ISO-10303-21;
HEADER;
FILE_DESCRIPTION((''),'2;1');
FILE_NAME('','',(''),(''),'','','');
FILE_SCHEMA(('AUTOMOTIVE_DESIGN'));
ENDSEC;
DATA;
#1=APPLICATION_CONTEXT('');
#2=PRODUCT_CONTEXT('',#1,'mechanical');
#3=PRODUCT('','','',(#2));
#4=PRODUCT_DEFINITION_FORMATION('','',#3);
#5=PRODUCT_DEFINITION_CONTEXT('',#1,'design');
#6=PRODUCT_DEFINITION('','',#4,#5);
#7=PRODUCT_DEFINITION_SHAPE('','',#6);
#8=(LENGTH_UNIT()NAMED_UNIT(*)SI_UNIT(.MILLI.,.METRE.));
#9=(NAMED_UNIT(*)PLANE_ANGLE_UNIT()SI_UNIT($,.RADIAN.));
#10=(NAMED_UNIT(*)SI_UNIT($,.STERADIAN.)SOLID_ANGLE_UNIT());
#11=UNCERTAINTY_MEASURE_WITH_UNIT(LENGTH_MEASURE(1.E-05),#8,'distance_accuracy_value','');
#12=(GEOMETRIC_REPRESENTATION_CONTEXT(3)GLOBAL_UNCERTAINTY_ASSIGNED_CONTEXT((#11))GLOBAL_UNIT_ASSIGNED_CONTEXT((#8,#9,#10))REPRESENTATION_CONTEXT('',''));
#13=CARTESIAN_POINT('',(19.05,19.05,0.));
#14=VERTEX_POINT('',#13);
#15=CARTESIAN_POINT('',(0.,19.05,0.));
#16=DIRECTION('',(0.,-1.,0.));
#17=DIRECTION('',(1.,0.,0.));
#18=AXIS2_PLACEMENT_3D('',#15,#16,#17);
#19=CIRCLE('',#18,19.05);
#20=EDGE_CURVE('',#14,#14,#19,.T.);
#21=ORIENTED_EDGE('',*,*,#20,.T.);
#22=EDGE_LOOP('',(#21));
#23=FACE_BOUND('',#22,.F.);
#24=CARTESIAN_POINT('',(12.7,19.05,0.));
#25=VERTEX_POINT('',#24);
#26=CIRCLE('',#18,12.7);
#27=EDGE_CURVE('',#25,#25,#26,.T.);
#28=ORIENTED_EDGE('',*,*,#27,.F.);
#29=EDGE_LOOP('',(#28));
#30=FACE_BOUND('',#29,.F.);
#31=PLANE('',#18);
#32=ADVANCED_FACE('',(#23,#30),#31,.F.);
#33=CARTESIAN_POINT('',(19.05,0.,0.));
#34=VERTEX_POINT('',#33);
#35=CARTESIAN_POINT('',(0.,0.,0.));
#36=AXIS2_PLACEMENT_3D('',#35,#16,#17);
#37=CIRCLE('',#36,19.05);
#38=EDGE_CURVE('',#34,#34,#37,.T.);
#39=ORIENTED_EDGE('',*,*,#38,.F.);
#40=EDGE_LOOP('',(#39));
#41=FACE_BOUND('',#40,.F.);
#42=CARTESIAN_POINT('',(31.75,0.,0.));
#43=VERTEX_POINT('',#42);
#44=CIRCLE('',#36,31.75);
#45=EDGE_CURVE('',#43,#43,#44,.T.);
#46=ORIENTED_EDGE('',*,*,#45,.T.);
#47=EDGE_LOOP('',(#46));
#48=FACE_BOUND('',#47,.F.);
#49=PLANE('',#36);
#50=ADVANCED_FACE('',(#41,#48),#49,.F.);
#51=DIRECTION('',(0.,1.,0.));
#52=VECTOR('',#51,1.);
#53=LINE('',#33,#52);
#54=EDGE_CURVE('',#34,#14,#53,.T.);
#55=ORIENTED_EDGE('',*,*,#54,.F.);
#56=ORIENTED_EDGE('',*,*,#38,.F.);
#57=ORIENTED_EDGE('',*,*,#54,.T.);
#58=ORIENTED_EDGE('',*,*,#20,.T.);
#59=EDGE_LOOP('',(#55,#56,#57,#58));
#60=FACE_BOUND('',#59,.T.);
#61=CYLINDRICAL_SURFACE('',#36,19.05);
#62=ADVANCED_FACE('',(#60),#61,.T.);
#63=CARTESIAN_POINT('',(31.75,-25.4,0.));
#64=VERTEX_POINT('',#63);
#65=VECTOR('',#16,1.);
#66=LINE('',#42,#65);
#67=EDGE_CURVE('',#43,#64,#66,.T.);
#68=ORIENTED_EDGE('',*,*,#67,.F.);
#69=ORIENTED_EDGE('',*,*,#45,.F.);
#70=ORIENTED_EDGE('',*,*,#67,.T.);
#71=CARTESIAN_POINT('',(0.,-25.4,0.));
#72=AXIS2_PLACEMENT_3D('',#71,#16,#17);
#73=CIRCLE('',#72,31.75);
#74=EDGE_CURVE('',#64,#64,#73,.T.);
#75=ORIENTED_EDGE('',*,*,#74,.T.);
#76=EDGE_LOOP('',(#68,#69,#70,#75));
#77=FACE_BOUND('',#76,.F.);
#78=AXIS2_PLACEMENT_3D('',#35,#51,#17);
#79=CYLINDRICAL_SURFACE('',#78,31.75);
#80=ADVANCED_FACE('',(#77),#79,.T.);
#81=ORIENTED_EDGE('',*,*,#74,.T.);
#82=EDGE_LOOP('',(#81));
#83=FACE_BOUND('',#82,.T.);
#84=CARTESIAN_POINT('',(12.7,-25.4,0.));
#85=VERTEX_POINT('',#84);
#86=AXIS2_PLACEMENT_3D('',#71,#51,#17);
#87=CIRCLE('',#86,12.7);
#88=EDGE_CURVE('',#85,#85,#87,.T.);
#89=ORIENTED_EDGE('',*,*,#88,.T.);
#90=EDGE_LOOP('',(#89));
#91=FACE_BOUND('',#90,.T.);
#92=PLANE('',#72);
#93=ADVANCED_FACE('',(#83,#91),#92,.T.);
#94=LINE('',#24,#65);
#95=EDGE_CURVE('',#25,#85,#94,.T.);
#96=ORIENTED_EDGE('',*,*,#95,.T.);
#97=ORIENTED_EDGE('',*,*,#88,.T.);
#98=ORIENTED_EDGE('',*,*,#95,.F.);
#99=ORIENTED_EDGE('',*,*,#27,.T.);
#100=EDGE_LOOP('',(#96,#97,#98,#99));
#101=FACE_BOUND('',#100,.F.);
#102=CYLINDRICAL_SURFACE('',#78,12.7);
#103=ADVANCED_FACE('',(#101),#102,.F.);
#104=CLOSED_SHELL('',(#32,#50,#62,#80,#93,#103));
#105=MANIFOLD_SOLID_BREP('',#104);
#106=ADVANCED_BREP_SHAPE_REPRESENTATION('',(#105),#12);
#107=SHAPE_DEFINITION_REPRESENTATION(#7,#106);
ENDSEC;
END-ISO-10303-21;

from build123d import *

# Parameters (mm, degrees)
F0_R      = 31.75
F3_DEPTH  = 25.4
F1_R      = 19.05
F4_DEPTH  = 19.05
F2_R      = 12.7
F5_DEPTH  = 44.45
F5_FACE_R = 12.7
F6_DEPTH  = 25.4


with BuildPart() as f3:
    # F0 (on Front) → F3 (new body)
    with BuildSketch(Plane.XZ):
        Circle(F0_R)
    extrude(amount=F3_DEPTH)

    # F1 (on face) → F4 (join)
    with BuildSketch(Plane.XZ):
        Circle(F1_R)
    extrude(amount=-F4_DEPTH)

    # F2 (on face) → F5 (cut)
    with BuildSketch(Plane.XZ):
        Circle(F2_R)
    extrude(amount=-F5_DEPTH, mode=Mode.SUBTRACT)

    # F5_face (on face) → F6 (cut)
    with BuildSketch(Plane(origin=(0, 0, 0), x_dir=(1, 0, 0), z_dir=(0, 1, 0))):
        Circle(F5_FACE_R)
    extrude(amount=-F6_DEPTH, mode=Mode.SUBTRACT)


solid = f3.part
